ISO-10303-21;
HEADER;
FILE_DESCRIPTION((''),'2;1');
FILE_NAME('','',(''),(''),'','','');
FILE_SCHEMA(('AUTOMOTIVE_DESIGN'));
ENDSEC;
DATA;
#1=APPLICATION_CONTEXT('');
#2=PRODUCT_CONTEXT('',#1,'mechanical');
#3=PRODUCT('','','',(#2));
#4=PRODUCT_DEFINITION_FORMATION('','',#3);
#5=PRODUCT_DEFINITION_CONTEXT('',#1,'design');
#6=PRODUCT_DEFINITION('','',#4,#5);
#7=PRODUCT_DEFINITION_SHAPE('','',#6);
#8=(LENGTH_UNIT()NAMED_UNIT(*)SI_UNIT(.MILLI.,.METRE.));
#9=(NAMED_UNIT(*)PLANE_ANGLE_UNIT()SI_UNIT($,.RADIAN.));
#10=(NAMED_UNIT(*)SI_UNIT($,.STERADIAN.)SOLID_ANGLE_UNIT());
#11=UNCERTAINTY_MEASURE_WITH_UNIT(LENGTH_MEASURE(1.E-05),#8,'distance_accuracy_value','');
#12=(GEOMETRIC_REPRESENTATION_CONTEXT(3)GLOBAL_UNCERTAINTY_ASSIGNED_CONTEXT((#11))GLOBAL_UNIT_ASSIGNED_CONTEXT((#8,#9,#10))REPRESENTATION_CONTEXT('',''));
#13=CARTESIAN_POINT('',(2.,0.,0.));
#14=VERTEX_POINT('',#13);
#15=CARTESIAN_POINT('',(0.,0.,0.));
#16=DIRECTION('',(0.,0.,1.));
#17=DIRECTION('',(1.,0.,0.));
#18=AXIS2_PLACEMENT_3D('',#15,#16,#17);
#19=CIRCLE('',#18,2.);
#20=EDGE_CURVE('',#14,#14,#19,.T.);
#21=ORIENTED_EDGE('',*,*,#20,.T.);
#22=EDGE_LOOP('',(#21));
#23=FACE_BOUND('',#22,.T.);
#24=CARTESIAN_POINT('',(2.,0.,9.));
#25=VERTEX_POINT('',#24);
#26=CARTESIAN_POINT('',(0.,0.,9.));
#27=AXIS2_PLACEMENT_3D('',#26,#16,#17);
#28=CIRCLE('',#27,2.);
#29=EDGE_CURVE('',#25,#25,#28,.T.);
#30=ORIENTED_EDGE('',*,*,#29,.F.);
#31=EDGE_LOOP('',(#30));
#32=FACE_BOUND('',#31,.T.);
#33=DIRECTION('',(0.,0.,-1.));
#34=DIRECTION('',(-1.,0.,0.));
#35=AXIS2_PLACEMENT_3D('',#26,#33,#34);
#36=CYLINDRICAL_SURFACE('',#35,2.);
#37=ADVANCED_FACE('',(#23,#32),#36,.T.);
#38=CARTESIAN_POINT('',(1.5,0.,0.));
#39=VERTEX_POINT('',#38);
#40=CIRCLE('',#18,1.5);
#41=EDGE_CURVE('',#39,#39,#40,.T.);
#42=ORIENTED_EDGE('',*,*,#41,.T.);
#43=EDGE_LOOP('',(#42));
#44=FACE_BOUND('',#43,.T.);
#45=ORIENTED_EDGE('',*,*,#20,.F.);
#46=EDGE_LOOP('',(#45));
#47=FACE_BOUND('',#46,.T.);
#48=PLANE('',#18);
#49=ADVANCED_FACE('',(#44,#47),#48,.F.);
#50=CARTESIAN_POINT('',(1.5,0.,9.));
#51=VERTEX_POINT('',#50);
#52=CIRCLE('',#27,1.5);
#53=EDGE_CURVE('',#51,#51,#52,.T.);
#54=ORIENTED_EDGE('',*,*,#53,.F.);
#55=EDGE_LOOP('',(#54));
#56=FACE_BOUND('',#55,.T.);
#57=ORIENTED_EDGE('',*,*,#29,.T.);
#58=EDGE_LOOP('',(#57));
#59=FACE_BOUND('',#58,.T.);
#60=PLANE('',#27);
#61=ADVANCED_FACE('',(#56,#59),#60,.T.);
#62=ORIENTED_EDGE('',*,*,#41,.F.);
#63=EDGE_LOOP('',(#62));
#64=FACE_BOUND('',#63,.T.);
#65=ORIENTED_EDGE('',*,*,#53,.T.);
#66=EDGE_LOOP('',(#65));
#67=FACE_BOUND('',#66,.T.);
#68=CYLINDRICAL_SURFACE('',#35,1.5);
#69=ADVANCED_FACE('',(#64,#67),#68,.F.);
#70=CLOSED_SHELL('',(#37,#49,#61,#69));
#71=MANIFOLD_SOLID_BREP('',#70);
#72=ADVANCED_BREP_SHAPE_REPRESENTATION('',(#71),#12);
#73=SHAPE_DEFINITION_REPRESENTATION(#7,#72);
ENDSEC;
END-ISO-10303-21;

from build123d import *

# Parameters (mm, degrees)
SKETCH_1_R      = 2
SKETCH_1_R_2    = 1.5
EXTRUDE_1_DEPTH = 9


with BuildPart() as part:
    # 草图1 → 凸台-拉伸1 (new body)
    with BuildSketch(Plane.XY):
        Circle(SKETCH_1_R)
        Circle(SKETCH_1_R_2, mode=Mode.SUBTRACT)
    extrude(amount=EXTRUDE_1_DEPTH)


solid = part.part
